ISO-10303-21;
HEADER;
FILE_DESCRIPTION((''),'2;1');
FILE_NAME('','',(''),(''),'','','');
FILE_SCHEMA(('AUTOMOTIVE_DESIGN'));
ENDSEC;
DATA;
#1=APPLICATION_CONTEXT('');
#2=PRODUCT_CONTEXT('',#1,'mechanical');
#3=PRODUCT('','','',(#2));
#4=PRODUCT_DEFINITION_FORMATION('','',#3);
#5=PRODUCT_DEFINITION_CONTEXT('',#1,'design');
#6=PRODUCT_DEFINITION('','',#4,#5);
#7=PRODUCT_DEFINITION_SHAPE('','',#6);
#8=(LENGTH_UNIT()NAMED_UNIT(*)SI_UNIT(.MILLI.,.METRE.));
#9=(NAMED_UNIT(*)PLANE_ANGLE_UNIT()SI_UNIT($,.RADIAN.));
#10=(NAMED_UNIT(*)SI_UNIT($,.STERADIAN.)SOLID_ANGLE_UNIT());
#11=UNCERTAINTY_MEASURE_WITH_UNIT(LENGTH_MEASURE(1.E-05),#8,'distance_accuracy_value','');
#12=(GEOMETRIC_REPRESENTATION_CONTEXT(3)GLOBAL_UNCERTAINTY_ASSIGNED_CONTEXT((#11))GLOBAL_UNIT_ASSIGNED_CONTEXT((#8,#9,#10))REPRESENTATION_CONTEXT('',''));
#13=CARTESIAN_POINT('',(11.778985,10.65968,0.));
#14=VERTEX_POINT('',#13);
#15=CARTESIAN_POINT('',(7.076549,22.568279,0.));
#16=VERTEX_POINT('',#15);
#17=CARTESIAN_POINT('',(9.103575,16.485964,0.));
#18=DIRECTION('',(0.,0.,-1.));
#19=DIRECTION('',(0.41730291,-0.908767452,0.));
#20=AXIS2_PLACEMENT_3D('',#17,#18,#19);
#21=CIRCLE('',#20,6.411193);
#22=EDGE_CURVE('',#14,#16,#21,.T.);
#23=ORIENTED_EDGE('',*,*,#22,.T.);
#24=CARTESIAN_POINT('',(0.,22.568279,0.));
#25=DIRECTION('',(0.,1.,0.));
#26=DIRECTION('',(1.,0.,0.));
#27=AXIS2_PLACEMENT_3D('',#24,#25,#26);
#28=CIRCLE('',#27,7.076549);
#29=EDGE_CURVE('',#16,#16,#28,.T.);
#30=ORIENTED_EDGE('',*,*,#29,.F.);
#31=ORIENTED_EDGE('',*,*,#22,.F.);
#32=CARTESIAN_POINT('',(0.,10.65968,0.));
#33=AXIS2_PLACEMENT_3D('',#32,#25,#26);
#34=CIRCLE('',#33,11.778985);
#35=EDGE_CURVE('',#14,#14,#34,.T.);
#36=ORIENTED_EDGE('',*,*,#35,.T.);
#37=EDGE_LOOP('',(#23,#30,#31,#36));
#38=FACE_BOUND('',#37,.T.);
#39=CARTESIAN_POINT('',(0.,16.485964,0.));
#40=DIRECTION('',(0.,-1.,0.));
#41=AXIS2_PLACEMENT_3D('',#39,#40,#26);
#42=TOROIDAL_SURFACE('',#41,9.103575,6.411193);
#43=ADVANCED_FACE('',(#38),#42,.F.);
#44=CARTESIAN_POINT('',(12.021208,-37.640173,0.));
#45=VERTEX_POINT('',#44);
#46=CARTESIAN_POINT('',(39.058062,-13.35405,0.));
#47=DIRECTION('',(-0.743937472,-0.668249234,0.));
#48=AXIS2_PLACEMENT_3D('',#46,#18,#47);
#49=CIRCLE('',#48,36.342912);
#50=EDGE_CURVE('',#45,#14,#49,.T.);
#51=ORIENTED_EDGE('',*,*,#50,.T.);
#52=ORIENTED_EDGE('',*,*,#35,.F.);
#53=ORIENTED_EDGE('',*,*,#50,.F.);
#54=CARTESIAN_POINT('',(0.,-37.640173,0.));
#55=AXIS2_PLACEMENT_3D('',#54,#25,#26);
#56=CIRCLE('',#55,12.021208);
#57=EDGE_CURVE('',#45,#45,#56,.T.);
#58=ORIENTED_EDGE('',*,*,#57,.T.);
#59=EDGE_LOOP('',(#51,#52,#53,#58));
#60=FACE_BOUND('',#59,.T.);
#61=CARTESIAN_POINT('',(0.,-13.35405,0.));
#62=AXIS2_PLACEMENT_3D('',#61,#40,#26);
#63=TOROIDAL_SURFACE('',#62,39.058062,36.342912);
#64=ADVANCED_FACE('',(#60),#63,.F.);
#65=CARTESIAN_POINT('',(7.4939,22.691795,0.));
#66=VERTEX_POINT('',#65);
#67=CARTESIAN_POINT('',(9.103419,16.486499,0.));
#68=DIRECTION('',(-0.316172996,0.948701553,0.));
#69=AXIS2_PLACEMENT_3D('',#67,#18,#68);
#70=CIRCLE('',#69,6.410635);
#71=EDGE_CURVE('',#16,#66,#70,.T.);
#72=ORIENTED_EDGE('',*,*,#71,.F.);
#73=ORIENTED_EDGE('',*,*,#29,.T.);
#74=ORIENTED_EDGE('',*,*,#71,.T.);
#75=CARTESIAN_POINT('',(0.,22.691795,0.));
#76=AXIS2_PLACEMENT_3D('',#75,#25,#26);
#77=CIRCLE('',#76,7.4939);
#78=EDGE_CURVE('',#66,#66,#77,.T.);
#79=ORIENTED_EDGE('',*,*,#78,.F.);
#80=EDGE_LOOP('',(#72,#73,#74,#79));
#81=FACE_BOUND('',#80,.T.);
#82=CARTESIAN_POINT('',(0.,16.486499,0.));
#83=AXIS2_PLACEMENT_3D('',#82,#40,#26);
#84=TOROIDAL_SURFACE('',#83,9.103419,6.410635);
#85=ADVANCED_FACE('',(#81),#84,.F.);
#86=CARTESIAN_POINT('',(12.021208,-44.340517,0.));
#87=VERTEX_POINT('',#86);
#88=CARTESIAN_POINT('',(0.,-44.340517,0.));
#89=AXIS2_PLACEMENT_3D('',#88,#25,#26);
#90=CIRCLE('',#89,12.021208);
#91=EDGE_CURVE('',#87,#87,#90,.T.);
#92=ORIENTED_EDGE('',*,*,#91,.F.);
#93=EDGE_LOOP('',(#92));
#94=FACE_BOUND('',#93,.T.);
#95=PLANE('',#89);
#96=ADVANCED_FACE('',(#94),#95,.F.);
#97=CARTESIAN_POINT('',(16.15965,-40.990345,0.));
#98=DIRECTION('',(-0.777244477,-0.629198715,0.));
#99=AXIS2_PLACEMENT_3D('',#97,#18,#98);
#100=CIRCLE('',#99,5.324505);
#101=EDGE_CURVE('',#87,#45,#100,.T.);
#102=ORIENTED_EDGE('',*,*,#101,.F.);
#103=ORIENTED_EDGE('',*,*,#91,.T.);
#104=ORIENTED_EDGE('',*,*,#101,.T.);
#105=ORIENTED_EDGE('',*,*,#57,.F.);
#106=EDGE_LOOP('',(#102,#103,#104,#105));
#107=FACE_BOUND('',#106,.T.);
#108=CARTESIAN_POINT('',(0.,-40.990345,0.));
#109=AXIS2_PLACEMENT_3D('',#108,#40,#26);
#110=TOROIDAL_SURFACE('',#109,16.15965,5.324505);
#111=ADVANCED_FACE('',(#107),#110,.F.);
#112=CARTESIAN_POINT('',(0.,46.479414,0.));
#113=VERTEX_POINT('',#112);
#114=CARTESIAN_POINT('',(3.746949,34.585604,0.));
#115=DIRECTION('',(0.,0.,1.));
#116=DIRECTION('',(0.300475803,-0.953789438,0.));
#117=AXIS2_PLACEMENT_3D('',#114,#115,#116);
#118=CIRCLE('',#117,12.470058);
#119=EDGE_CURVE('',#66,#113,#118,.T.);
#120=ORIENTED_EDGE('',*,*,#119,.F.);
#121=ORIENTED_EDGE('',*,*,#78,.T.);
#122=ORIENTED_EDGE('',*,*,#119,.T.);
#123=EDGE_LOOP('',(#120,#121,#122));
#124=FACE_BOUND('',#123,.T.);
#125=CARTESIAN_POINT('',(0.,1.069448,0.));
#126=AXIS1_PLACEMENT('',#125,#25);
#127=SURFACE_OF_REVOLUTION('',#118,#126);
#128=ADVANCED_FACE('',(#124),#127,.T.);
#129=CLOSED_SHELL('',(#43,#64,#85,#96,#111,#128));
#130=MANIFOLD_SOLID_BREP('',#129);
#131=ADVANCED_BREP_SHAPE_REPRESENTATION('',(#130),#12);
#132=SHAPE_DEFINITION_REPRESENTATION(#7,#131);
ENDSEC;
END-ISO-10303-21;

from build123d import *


with BuildPart() as f1:
    # F0 (on Top) → F1 (revolve)
    with BuildSketch(Plane.XY):
        with BuildLine():
            ThreePointArc((7.076549, 22.568279), (3.529327, 22.117446), (0, 22.691795))
            Line((0, 22.691795), (0, -44.340517))
            Line((0, -44.340517), (1.379482, -44.340517))
            Line((1.379482, -44.340517), (12.021208, -44.340517))
            ThreePointArc((12.021208, -44.340517), (10.835145, -40.990345), (12.021208, -37.640173))
            ThreePointArc((12.021208, -37.640173), (2.715607, -13.536306), (11.778985, 10.65968))
            ThreePointArc((11.778985, 10.65968), (3.140457, 14.131263), (7.076549, 22.568279))
        make_face()
        with BuildLine():
            ThreePointArc((7.4939, 22.691795), (15.640759, 38.332554), (0, 46.479414))
            Line((0, 46.479414), (0, 22.691795))
            ThreePointArc((0, 22.691795), (3.529327, 22.117446), (7.076549, 22.568279))
            ThreePointArc((7.076549, 22.568279), (7.284176, 22.63358), (7.4939, 22.691795))
        make_face()
    revolve(axis=Axis((0, 1.069448, 0), (0, 1, 0)))


solid = f1.part
